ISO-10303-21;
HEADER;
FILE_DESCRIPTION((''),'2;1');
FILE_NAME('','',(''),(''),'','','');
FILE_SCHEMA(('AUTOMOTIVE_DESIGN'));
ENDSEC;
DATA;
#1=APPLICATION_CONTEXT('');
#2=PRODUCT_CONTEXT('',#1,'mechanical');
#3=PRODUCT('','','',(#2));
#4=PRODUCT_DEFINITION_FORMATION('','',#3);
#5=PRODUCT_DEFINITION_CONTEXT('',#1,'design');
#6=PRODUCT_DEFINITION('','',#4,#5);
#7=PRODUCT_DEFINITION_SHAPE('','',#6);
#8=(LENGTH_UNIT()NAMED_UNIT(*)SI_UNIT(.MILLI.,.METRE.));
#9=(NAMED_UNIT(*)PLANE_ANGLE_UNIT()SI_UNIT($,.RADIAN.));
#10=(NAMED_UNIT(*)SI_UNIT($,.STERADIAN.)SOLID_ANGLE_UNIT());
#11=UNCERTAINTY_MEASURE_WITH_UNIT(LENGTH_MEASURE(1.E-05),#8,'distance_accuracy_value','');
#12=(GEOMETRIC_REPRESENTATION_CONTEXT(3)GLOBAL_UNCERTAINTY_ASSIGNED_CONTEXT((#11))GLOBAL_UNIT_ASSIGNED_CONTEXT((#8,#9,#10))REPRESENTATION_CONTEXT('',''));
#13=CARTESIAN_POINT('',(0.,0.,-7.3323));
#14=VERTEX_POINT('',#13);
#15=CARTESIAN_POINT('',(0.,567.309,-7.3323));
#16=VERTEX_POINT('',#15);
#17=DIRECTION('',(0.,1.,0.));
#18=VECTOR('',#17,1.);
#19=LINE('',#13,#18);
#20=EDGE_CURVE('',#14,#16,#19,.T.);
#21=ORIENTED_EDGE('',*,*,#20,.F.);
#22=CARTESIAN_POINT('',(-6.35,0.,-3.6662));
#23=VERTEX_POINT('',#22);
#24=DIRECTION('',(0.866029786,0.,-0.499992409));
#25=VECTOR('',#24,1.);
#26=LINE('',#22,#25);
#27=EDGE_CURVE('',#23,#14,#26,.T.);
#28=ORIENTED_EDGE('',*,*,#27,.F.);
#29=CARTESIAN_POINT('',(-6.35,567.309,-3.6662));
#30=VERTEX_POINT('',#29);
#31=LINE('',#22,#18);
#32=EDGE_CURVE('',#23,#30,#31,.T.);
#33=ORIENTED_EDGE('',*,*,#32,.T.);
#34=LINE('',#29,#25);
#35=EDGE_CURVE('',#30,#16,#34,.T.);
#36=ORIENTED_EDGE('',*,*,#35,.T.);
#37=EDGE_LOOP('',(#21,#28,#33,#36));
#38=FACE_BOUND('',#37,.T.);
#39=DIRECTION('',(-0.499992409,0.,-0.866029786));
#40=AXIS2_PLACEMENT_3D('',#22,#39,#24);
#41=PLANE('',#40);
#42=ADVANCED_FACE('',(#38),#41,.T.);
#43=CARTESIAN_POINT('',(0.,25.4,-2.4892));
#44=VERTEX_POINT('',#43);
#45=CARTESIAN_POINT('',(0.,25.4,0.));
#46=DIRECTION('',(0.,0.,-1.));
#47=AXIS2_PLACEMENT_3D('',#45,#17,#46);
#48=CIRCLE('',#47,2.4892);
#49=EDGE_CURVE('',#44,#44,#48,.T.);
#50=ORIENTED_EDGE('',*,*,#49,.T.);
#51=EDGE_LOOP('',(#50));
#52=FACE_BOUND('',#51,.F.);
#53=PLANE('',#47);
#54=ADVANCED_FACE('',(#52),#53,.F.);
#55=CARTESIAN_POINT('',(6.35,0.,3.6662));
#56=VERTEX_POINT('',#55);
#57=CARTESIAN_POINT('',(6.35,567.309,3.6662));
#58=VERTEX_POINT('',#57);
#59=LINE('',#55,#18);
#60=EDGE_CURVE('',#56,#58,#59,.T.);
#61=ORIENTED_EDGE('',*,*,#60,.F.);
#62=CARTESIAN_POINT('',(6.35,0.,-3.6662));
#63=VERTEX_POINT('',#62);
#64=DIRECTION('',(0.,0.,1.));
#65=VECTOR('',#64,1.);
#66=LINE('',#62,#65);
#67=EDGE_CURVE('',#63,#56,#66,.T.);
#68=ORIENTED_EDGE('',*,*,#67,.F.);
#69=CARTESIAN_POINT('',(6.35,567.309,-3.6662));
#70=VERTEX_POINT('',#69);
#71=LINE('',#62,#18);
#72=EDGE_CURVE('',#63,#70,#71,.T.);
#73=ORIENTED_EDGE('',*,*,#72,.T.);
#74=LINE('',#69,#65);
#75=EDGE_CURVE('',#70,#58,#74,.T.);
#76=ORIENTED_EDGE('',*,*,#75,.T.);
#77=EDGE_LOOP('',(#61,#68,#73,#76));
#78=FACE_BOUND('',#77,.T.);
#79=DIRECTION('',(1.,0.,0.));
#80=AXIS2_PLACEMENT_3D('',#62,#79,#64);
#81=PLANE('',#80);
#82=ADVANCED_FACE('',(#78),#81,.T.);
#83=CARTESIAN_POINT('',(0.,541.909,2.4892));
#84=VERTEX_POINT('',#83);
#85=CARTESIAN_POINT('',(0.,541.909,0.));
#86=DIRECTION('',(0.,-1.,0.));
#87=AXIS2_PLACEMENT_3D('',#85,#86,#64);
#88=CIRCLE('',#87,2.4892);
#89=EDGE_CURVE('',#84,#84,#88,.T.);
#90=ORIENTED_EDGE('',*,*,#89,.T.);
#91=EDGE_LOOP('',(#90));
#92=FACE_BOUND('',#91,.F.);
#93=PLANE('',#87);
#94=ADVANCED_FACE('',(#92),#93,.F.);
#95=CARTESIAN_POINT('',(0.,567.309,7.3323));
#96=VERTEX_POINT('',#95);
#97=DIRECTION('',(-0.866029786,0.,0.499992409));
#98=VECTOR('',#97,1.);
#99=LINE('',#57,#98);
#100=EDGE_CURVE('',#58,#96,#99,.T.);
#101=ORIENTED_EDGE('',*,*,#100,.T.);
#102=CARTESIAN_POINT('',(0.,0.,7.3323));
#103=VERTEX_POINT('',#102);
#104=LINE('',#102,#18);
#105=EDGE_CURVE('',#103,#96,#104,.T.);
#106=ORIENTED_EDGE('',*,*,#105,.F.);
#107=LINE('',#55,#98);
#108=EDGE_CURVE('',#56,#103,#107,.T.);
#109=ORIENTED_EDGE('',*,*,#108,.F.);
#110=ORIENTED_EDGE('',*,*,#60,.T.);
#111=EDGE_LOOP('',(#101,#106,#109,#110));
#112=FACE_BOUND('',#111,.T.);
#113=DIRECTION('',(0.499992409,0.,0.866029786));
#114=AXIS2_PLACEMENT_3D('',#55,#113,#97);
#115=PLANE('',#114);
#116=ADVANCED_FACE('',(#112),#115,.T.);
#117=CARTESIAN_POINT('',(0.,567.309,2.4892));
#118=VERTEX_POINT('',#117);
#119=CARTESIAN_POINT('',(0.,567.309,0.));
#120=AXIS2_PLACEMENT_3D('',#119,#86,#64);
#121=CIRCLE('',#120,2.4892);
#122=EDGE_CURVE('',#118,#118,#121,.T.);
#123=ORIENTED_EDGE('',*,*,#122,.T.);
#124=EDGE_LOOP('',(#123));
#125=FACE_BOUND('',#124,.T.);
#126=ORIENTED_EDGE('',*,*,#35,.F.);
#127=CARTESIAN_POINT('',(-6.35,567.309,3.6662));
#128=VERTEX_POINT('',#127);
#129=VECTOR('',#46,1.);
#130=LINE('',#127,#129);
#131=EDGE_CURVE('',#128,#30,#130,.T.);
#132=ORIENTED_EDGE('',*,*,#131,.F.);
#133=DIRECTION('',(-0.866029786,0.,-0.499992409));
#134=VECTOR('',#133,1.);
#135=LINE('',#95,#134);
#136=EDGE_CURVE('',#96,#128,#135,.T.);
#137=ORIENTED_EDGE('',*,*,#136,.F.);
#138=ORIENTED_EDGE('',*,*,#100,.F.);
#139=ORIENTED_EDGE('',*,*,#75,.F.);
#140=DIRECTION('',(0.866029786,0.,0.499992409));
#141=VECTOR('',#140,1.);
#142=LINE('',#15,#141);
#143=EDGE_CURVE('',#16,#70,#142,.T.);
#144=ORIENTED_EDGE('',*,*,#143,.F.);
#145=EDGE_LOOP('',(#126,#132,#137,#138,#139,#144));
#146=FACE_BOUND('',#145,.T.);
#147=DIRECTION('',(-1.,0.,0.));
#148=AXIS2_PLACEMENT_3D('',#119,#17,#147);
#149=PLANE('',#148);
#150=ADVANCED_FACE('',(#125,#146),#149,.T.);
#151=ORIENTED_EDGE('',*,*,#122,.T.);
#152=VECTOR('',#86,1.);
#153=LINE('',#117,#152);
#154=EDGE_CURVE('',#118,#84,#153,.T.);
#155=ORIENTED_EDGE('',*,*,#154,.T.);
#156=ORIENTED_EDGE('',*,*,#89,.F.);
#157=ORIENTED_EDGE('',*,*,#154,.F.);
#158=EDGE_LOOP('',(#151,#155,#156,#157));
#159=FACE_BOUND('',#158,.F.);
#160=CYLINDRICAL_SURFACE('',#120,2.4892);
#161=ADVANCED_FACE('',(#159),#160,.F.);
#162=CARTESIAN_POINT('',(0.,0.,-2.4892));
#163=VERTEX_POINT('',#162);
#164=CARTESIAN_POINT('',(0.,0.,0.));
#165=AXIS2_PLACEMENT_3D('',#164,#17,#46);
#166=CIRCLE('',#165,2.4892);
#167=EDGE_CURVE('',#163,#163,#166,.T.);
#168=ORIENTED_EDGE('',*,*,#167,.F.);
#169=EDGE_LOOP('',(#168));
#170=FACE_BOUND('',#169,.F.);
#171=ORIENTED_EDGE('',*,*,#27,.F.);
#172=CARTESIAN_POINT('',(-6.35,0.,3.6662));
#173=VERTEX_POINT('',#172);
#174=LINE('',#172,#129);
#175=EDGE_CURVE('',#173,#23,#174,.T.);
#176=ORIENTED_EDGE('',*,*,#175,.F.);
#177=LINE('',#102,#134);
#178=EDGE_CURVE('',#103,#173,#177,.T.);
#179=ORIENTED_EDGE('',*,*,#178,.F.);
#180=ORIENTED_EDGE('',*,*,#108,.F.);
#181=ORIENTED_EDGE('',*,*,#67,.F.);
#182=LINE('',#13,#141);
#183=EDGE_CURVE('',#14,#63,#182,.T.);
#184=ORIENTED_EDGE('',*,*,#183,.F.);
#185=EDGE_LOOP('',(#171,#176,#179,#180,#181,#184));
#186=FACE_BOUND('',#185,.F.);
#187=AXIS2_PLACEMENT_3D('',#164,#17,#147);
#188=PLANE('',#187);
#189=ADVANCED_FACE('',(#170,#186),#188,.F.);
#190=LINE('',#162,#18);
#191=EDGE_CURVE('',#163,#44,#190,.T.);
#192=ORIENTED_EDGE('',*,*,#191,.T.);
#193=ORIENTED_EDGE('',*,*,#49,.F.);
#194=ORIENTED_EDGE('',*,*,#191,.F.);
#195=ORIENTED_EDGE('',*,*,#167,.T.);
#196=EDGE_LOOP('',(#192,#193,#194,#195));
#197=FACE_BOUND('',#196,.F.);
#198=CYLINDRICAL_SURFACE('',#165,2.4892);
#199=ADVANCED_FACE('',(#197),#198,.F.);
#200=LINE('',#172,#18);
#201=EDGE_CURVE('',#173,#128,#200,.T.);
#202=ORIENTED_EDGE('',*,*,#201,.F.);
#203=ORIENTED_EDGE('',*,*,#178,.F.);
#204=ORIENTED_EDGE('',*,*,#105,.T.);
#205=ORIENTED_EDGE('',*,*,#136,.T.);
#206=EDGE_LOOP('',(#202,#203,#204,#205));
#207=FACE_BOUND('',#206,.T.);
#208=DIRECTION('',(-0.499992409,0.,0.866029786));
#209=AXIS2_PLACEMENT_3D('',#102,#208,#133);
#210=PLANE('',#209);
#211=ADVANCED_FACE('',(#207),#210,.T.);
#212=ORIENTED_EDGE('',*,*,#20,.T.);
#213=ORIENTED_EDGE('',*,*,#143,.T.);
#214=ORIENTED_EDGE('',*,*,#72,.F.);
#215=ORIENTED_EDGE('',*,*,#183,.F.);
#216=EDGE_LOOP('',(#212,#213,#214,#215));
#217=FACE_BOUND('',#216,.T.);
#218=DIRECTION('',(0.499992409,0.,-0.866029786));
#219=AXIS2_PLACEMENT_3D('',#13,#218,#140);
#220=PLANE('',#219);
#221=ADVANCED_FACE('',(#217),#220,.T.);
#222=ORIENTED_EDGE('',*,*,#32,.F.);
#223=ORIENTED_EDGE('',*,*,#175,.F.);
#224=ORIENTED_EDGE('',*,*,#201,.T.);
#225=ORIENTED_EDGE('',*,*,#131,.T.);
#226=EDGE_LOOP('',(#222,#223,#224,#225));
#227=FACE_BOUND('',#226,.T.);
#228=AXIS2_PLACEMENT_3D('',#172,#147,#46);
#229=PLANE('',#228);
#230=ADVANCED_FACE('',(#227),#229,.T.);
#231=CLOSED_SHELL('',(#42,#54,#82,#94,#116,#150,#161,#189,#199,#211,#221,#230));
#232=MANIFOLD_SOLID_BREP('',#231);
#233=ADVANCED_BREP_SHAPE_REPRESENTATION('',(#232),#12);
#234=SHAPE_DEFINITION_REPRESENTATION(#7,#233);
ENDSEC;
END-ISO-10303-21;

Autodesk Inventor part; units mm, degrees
ref_plane "YZ Plane" through (0, 0, 0) normal (1, 0, 0) x (0, 1, 0)
ref_plane "XZ Plane" through (0, 0, 0) normal (0, 1, 0) x (-1, 0, 0)
ref_plane "XY Plane" through (0, 0, 0) normal (0, 0, 1) x (1, 0, 0)
sketch "Sketch1" plane through (0, 0, 0) normal (0, 1, 0) x (-1, 0, 0)
  line L0 (6.35, -3.6662) -> (0, -7.3323)
  line L1 (0, -7.3323) -> (-6.35, -3.6662)
  line L2 (-6.35, -3.6662) -> (-6.35, 3.6662)
  line L3 (-6.35, 3.6662) -> (0, 7.3323)
  line L4 (0, 7.3323) -> (6.35, 3.6662)
  line L5 (6.35, 3.6662) -> (6.35, -3.6662)
  point P0 (0, 0)
  point P1 (0, 0)
  point P2 (0, 0)
  dimension "d0" = 12.7
extrude "Extrusion1" add sketch "Sketch1" along normal blind 567.309
sketch "Sketch2" plane through (0, 0, 0) normal (0, -1, 0) x (1, 0, 0)
  point P0 (0, 0)
  point P1 (0, 0)
hole "Hole1" at (0, 0, 0) direction (0, 1, 0) diameter 4.9784 depth 25.4 thread size "1/4-20 UNC" class "2B" standard "ANSI Unified Screw Threads"
sketch "Sketch3" plane through (0, 567.309, 0) normal (0, 1, 0) x (1, 0, 0)
  point P0 (0, 0)
  point P1 (0, 0)
hole "Hole2" at (0, 567.309, 0) direction (0, -1, 0) diameter 4.9784 depth 25.4 thread size "1/4-20 UNC" class "2B" standard "ANSI Unified Screw Threads"
properties part number "INTK_004_HexShaft6" material "Aluminum 6061"
